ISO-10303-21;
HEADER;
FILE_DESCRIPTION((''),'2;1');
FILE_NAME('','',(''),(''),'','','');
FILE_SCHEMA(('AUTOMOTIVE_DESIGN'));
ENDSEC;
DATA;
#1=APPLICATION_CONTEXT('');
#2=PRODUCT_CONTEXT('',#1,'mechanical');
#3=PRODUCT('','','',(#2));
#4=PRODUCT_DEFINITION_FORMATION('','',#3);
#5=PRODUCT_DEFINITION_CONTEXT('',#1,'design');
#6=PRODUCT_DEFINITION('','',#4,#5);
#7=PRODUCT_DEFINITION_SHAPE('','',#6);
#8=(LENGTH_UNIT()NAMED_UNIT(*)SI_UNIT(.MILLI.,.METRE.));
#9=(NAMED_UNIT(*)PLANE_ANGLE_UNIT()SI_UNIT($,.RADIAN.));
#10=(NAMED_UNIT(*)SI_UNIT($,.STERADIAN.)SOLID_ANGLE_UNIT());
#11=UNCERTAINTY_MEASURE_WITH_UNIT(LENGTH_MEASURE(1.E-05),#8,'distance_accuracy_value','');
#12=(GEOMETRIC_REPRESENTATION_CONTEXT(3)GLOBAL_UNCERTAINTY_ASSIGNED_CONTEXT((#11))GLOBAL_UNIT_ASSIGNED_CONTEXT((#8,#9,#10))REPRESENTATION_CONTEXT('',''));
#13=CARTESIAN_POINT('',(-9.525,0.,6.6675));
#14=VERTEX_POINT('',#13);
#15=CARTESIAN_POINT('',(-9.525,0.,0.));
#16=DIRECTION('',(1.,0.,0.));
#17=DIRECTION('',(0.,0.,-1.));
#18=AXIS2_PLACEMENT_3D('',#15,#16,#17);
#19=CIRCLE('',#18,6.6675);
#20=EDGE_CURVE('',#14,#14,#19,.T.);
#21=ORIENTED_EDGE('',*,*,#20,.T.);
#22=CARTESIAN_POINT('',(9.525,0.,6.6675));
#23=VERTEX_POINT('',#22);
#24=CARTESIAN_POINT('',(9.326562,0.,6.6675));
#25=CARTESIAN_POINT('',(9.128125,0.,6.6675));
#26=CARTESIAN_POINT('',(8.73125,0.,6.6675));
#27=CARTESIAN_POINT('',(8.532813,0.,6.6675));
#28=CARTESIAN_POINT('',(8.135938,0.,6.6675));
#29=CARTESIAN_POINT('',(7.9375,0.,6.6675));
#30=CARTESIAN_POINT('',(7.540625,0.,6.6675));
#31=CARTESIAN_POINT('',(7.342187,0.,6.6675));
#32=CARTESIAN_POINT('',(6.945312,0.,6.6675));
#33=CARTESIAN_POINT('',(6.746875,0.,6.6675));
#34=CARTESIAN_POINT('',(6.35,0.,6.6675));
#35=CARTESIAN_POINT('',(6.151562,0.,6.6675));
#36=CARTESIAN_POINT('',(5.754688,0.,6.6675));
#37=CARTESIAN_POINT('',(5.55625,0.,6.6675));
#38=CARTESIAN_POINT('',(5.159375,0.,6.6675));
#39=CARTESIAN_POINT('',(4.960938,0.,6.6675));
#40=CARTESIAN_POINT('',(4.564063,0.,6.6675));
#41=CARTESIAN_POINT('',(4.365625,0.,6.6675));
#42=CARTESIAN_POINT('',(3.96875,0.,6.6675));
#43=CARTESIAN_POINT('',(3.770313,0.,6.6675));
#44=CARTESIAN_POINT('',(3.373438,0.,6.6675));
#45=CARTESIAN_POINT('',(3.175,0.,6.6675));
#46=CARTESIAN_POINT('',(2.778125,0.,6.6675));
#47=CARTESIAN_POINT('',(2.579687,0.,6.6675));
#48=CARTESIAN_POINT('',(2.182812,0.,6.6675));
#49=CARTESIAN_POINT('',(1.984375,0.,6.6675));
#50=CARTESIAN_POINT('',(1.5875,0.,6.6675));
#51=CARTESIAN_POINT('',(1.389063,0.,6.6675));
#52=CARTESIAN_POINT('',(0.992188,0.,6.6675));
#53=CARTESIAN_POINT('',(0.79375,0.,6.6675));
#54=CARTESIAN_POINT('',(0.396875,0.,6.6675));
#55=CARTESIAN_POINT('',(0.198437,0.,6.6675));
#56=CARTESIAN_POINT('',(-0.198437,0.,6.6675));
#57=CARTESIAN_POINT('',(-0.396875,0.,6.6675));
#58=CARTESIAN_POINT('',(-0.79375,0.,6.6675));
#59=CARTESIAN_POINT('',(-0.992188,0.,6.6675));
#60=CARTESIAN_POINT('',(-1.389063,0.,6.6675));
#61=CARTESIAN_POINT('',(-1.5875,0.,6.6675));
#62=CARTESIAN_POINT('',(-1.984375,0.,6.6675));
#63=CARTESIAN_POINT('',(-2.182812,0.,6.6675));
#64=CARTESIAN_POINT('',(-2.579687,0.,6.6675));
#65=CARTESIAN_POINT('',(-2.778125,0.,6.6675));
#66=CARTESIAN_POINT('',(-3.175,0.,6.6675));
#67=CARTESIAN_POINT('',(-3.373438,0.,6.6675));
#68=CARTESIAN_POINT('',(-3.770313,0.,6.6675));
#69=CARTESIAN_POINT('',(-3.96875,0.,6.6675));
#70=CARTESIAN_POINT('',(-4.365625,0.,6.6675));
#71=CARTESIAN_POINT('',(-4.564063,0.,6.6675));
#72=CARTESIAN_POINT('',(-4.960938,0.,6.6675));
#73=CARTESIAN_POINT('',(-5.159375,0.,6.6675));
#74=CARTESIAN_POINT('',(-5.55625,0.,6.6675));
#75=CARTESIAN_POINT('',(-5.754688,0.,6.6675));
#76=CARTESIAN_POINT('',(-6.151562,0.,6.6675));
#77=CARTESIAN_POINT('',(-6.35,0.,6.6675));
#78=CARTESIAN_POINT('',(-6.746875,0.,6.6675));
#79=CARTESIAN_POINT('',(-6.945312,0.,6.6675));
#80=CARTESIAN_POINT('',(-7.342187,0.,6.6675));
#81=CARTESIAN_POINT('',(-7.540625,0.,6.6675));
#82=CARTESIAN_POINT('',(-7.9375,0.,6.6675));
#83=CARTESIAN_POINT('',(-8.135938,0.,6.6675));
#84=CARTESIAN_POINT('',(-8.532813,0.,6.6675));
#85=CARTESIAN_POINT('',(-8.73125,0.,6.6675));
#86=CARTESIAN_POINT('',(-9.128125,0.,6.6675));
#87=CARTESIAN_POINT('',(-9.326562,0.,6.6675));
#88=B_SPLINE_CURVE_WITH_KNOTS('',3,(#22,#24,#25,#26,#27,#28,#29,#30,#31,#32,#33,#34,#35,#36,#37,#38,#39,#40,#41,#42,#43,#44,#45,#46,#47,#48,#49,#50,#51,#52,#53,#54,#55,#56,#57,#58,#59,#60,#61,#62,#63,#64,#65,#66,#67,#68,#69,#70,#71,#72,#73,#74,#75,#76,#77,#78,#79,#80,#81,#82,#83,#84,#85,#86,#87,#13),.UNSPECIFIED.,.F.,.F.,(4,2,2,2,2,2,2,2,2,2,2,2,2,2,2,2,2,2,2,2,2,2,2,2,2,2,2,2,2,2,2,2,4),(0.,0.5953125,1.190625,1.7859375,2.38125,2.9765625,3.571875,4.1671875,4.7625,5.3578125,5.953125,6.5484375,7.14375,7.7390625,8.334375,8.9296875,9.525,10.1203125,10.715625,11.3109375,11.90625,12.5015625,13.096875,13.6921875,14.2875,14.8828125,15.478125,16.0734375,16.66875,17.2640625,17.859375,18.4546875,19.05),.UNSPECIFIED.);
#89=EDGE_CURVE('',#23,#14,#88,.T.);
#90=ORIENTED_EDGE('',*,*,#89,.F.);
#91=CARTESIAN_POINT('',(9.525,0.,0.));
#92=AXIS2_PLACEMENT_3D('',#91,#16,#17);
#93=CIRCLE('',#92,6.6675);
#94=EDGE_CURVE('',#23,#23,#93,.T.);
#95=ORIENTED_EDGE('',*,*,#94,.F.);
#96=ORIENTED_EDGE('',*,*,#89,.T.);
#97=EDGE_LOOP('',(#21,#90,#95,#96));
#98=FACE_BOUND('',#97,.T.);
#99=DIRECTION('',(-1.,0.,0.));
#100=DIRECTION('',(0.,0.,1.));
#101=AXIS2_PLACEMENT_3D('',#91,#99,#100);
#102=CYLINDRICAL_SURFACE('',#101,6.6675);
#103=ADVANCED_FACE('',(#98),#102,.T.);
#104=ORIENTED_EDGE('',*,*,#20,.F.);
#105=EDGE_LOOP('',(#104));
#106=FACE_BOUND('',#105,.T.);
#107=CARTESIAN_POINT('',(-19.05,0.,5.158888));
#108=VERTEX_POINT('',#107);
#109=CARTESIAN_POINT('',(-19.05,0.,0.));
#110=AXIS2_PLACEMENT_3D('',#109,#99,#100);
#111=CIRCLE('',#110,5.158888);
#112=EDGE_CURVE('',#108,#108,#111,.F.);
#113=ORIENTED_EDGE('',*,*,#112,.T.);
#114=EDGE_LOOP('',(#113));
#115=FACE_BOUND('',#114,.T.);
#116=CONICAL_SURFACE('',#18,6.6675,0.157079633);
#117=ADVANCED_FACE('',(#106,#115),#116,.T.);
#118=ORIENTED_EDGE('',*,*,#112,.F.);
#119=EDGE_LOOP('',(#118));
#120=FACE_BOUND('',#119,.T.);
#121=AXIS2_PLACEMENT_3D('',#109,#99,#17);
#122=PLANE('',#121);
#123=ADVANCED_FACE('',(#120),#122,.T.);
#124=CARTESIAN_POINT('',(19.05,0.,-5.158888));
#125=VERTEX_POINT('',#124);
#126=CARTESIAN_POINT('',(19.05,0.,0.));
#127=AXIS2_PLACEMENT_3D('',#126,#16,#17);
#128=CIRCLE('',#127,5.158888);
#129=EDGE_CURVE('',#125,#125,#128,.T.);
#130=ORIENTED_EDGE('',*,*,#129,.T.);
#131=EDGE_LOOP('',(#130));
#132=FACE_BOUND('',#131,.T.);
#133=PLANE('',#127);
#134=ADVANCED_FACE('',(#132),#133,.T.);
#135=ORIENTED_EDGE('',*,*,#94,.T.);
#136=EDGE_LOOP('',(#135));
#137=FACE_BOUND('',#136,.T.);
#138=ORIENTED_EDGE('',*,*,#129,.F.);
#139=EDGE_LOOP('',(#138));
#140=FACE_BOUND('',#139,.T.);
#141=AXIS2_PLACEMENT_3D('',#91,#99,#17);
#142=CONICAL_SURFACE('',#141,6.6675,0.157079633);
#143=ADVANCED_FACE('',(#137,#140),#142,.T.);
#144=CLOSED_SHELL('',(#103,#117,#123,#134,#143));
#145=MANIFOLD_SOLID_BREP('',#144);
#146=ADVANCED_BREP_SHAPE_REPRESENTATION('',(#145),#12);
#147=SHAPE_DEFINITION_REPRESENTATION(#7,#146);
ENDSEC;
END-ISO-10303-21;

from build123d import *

# Parameters (mm, degrees)
SKETCH1_R           = 6.6675
BOSS_EXTRUDE1_DEPTH = 9.525
SKETCH3_R           = 6.6675
BOSS_EXTRUDE2_DEPTH = 9.525
BOSS_EXTRUDE2_TAPER = 9


with BuildPart() as part:
    # Sketch1 → Boss-Extrude1 (new, symmetric)
    with BuildSketch(Plane(origin=(0, 0, 0), x_dir=(0, 0, -1), z_dir=(1, 0, 0))):
        with Locations(Location((0, 0, 0), (0, 0, 180))):
            Circle(SKETCH1_R)
    extrude(amount=BOSS_EXTRUDE1_DEPTH, both=True)

    # Sketch3 → Boss-Extrude2 (add)
    with BuildSketch(Plane(origin=(9.525, 0, 0), x_dir=(0, 0, -1), z_dir=(1, 0, 0))):
        with Locations(Location((0, 0, 0), (0, 0, 180))):
            Circle(SKETCH3_R)
    boss_extrude2 = extrude(amount=BOSS_EXTRUDE2_DEPTH, taper=BOSS_EXTRUDE2_TAPER)

    # Mirror1: Boss-Extrude2 across plane
    add(boss_extrude2.mirror(Plane(origin=(0, 0, 0), x_dir=(0, 0, 1), z_dir=(1, 0, 0))))


solid = part.part
